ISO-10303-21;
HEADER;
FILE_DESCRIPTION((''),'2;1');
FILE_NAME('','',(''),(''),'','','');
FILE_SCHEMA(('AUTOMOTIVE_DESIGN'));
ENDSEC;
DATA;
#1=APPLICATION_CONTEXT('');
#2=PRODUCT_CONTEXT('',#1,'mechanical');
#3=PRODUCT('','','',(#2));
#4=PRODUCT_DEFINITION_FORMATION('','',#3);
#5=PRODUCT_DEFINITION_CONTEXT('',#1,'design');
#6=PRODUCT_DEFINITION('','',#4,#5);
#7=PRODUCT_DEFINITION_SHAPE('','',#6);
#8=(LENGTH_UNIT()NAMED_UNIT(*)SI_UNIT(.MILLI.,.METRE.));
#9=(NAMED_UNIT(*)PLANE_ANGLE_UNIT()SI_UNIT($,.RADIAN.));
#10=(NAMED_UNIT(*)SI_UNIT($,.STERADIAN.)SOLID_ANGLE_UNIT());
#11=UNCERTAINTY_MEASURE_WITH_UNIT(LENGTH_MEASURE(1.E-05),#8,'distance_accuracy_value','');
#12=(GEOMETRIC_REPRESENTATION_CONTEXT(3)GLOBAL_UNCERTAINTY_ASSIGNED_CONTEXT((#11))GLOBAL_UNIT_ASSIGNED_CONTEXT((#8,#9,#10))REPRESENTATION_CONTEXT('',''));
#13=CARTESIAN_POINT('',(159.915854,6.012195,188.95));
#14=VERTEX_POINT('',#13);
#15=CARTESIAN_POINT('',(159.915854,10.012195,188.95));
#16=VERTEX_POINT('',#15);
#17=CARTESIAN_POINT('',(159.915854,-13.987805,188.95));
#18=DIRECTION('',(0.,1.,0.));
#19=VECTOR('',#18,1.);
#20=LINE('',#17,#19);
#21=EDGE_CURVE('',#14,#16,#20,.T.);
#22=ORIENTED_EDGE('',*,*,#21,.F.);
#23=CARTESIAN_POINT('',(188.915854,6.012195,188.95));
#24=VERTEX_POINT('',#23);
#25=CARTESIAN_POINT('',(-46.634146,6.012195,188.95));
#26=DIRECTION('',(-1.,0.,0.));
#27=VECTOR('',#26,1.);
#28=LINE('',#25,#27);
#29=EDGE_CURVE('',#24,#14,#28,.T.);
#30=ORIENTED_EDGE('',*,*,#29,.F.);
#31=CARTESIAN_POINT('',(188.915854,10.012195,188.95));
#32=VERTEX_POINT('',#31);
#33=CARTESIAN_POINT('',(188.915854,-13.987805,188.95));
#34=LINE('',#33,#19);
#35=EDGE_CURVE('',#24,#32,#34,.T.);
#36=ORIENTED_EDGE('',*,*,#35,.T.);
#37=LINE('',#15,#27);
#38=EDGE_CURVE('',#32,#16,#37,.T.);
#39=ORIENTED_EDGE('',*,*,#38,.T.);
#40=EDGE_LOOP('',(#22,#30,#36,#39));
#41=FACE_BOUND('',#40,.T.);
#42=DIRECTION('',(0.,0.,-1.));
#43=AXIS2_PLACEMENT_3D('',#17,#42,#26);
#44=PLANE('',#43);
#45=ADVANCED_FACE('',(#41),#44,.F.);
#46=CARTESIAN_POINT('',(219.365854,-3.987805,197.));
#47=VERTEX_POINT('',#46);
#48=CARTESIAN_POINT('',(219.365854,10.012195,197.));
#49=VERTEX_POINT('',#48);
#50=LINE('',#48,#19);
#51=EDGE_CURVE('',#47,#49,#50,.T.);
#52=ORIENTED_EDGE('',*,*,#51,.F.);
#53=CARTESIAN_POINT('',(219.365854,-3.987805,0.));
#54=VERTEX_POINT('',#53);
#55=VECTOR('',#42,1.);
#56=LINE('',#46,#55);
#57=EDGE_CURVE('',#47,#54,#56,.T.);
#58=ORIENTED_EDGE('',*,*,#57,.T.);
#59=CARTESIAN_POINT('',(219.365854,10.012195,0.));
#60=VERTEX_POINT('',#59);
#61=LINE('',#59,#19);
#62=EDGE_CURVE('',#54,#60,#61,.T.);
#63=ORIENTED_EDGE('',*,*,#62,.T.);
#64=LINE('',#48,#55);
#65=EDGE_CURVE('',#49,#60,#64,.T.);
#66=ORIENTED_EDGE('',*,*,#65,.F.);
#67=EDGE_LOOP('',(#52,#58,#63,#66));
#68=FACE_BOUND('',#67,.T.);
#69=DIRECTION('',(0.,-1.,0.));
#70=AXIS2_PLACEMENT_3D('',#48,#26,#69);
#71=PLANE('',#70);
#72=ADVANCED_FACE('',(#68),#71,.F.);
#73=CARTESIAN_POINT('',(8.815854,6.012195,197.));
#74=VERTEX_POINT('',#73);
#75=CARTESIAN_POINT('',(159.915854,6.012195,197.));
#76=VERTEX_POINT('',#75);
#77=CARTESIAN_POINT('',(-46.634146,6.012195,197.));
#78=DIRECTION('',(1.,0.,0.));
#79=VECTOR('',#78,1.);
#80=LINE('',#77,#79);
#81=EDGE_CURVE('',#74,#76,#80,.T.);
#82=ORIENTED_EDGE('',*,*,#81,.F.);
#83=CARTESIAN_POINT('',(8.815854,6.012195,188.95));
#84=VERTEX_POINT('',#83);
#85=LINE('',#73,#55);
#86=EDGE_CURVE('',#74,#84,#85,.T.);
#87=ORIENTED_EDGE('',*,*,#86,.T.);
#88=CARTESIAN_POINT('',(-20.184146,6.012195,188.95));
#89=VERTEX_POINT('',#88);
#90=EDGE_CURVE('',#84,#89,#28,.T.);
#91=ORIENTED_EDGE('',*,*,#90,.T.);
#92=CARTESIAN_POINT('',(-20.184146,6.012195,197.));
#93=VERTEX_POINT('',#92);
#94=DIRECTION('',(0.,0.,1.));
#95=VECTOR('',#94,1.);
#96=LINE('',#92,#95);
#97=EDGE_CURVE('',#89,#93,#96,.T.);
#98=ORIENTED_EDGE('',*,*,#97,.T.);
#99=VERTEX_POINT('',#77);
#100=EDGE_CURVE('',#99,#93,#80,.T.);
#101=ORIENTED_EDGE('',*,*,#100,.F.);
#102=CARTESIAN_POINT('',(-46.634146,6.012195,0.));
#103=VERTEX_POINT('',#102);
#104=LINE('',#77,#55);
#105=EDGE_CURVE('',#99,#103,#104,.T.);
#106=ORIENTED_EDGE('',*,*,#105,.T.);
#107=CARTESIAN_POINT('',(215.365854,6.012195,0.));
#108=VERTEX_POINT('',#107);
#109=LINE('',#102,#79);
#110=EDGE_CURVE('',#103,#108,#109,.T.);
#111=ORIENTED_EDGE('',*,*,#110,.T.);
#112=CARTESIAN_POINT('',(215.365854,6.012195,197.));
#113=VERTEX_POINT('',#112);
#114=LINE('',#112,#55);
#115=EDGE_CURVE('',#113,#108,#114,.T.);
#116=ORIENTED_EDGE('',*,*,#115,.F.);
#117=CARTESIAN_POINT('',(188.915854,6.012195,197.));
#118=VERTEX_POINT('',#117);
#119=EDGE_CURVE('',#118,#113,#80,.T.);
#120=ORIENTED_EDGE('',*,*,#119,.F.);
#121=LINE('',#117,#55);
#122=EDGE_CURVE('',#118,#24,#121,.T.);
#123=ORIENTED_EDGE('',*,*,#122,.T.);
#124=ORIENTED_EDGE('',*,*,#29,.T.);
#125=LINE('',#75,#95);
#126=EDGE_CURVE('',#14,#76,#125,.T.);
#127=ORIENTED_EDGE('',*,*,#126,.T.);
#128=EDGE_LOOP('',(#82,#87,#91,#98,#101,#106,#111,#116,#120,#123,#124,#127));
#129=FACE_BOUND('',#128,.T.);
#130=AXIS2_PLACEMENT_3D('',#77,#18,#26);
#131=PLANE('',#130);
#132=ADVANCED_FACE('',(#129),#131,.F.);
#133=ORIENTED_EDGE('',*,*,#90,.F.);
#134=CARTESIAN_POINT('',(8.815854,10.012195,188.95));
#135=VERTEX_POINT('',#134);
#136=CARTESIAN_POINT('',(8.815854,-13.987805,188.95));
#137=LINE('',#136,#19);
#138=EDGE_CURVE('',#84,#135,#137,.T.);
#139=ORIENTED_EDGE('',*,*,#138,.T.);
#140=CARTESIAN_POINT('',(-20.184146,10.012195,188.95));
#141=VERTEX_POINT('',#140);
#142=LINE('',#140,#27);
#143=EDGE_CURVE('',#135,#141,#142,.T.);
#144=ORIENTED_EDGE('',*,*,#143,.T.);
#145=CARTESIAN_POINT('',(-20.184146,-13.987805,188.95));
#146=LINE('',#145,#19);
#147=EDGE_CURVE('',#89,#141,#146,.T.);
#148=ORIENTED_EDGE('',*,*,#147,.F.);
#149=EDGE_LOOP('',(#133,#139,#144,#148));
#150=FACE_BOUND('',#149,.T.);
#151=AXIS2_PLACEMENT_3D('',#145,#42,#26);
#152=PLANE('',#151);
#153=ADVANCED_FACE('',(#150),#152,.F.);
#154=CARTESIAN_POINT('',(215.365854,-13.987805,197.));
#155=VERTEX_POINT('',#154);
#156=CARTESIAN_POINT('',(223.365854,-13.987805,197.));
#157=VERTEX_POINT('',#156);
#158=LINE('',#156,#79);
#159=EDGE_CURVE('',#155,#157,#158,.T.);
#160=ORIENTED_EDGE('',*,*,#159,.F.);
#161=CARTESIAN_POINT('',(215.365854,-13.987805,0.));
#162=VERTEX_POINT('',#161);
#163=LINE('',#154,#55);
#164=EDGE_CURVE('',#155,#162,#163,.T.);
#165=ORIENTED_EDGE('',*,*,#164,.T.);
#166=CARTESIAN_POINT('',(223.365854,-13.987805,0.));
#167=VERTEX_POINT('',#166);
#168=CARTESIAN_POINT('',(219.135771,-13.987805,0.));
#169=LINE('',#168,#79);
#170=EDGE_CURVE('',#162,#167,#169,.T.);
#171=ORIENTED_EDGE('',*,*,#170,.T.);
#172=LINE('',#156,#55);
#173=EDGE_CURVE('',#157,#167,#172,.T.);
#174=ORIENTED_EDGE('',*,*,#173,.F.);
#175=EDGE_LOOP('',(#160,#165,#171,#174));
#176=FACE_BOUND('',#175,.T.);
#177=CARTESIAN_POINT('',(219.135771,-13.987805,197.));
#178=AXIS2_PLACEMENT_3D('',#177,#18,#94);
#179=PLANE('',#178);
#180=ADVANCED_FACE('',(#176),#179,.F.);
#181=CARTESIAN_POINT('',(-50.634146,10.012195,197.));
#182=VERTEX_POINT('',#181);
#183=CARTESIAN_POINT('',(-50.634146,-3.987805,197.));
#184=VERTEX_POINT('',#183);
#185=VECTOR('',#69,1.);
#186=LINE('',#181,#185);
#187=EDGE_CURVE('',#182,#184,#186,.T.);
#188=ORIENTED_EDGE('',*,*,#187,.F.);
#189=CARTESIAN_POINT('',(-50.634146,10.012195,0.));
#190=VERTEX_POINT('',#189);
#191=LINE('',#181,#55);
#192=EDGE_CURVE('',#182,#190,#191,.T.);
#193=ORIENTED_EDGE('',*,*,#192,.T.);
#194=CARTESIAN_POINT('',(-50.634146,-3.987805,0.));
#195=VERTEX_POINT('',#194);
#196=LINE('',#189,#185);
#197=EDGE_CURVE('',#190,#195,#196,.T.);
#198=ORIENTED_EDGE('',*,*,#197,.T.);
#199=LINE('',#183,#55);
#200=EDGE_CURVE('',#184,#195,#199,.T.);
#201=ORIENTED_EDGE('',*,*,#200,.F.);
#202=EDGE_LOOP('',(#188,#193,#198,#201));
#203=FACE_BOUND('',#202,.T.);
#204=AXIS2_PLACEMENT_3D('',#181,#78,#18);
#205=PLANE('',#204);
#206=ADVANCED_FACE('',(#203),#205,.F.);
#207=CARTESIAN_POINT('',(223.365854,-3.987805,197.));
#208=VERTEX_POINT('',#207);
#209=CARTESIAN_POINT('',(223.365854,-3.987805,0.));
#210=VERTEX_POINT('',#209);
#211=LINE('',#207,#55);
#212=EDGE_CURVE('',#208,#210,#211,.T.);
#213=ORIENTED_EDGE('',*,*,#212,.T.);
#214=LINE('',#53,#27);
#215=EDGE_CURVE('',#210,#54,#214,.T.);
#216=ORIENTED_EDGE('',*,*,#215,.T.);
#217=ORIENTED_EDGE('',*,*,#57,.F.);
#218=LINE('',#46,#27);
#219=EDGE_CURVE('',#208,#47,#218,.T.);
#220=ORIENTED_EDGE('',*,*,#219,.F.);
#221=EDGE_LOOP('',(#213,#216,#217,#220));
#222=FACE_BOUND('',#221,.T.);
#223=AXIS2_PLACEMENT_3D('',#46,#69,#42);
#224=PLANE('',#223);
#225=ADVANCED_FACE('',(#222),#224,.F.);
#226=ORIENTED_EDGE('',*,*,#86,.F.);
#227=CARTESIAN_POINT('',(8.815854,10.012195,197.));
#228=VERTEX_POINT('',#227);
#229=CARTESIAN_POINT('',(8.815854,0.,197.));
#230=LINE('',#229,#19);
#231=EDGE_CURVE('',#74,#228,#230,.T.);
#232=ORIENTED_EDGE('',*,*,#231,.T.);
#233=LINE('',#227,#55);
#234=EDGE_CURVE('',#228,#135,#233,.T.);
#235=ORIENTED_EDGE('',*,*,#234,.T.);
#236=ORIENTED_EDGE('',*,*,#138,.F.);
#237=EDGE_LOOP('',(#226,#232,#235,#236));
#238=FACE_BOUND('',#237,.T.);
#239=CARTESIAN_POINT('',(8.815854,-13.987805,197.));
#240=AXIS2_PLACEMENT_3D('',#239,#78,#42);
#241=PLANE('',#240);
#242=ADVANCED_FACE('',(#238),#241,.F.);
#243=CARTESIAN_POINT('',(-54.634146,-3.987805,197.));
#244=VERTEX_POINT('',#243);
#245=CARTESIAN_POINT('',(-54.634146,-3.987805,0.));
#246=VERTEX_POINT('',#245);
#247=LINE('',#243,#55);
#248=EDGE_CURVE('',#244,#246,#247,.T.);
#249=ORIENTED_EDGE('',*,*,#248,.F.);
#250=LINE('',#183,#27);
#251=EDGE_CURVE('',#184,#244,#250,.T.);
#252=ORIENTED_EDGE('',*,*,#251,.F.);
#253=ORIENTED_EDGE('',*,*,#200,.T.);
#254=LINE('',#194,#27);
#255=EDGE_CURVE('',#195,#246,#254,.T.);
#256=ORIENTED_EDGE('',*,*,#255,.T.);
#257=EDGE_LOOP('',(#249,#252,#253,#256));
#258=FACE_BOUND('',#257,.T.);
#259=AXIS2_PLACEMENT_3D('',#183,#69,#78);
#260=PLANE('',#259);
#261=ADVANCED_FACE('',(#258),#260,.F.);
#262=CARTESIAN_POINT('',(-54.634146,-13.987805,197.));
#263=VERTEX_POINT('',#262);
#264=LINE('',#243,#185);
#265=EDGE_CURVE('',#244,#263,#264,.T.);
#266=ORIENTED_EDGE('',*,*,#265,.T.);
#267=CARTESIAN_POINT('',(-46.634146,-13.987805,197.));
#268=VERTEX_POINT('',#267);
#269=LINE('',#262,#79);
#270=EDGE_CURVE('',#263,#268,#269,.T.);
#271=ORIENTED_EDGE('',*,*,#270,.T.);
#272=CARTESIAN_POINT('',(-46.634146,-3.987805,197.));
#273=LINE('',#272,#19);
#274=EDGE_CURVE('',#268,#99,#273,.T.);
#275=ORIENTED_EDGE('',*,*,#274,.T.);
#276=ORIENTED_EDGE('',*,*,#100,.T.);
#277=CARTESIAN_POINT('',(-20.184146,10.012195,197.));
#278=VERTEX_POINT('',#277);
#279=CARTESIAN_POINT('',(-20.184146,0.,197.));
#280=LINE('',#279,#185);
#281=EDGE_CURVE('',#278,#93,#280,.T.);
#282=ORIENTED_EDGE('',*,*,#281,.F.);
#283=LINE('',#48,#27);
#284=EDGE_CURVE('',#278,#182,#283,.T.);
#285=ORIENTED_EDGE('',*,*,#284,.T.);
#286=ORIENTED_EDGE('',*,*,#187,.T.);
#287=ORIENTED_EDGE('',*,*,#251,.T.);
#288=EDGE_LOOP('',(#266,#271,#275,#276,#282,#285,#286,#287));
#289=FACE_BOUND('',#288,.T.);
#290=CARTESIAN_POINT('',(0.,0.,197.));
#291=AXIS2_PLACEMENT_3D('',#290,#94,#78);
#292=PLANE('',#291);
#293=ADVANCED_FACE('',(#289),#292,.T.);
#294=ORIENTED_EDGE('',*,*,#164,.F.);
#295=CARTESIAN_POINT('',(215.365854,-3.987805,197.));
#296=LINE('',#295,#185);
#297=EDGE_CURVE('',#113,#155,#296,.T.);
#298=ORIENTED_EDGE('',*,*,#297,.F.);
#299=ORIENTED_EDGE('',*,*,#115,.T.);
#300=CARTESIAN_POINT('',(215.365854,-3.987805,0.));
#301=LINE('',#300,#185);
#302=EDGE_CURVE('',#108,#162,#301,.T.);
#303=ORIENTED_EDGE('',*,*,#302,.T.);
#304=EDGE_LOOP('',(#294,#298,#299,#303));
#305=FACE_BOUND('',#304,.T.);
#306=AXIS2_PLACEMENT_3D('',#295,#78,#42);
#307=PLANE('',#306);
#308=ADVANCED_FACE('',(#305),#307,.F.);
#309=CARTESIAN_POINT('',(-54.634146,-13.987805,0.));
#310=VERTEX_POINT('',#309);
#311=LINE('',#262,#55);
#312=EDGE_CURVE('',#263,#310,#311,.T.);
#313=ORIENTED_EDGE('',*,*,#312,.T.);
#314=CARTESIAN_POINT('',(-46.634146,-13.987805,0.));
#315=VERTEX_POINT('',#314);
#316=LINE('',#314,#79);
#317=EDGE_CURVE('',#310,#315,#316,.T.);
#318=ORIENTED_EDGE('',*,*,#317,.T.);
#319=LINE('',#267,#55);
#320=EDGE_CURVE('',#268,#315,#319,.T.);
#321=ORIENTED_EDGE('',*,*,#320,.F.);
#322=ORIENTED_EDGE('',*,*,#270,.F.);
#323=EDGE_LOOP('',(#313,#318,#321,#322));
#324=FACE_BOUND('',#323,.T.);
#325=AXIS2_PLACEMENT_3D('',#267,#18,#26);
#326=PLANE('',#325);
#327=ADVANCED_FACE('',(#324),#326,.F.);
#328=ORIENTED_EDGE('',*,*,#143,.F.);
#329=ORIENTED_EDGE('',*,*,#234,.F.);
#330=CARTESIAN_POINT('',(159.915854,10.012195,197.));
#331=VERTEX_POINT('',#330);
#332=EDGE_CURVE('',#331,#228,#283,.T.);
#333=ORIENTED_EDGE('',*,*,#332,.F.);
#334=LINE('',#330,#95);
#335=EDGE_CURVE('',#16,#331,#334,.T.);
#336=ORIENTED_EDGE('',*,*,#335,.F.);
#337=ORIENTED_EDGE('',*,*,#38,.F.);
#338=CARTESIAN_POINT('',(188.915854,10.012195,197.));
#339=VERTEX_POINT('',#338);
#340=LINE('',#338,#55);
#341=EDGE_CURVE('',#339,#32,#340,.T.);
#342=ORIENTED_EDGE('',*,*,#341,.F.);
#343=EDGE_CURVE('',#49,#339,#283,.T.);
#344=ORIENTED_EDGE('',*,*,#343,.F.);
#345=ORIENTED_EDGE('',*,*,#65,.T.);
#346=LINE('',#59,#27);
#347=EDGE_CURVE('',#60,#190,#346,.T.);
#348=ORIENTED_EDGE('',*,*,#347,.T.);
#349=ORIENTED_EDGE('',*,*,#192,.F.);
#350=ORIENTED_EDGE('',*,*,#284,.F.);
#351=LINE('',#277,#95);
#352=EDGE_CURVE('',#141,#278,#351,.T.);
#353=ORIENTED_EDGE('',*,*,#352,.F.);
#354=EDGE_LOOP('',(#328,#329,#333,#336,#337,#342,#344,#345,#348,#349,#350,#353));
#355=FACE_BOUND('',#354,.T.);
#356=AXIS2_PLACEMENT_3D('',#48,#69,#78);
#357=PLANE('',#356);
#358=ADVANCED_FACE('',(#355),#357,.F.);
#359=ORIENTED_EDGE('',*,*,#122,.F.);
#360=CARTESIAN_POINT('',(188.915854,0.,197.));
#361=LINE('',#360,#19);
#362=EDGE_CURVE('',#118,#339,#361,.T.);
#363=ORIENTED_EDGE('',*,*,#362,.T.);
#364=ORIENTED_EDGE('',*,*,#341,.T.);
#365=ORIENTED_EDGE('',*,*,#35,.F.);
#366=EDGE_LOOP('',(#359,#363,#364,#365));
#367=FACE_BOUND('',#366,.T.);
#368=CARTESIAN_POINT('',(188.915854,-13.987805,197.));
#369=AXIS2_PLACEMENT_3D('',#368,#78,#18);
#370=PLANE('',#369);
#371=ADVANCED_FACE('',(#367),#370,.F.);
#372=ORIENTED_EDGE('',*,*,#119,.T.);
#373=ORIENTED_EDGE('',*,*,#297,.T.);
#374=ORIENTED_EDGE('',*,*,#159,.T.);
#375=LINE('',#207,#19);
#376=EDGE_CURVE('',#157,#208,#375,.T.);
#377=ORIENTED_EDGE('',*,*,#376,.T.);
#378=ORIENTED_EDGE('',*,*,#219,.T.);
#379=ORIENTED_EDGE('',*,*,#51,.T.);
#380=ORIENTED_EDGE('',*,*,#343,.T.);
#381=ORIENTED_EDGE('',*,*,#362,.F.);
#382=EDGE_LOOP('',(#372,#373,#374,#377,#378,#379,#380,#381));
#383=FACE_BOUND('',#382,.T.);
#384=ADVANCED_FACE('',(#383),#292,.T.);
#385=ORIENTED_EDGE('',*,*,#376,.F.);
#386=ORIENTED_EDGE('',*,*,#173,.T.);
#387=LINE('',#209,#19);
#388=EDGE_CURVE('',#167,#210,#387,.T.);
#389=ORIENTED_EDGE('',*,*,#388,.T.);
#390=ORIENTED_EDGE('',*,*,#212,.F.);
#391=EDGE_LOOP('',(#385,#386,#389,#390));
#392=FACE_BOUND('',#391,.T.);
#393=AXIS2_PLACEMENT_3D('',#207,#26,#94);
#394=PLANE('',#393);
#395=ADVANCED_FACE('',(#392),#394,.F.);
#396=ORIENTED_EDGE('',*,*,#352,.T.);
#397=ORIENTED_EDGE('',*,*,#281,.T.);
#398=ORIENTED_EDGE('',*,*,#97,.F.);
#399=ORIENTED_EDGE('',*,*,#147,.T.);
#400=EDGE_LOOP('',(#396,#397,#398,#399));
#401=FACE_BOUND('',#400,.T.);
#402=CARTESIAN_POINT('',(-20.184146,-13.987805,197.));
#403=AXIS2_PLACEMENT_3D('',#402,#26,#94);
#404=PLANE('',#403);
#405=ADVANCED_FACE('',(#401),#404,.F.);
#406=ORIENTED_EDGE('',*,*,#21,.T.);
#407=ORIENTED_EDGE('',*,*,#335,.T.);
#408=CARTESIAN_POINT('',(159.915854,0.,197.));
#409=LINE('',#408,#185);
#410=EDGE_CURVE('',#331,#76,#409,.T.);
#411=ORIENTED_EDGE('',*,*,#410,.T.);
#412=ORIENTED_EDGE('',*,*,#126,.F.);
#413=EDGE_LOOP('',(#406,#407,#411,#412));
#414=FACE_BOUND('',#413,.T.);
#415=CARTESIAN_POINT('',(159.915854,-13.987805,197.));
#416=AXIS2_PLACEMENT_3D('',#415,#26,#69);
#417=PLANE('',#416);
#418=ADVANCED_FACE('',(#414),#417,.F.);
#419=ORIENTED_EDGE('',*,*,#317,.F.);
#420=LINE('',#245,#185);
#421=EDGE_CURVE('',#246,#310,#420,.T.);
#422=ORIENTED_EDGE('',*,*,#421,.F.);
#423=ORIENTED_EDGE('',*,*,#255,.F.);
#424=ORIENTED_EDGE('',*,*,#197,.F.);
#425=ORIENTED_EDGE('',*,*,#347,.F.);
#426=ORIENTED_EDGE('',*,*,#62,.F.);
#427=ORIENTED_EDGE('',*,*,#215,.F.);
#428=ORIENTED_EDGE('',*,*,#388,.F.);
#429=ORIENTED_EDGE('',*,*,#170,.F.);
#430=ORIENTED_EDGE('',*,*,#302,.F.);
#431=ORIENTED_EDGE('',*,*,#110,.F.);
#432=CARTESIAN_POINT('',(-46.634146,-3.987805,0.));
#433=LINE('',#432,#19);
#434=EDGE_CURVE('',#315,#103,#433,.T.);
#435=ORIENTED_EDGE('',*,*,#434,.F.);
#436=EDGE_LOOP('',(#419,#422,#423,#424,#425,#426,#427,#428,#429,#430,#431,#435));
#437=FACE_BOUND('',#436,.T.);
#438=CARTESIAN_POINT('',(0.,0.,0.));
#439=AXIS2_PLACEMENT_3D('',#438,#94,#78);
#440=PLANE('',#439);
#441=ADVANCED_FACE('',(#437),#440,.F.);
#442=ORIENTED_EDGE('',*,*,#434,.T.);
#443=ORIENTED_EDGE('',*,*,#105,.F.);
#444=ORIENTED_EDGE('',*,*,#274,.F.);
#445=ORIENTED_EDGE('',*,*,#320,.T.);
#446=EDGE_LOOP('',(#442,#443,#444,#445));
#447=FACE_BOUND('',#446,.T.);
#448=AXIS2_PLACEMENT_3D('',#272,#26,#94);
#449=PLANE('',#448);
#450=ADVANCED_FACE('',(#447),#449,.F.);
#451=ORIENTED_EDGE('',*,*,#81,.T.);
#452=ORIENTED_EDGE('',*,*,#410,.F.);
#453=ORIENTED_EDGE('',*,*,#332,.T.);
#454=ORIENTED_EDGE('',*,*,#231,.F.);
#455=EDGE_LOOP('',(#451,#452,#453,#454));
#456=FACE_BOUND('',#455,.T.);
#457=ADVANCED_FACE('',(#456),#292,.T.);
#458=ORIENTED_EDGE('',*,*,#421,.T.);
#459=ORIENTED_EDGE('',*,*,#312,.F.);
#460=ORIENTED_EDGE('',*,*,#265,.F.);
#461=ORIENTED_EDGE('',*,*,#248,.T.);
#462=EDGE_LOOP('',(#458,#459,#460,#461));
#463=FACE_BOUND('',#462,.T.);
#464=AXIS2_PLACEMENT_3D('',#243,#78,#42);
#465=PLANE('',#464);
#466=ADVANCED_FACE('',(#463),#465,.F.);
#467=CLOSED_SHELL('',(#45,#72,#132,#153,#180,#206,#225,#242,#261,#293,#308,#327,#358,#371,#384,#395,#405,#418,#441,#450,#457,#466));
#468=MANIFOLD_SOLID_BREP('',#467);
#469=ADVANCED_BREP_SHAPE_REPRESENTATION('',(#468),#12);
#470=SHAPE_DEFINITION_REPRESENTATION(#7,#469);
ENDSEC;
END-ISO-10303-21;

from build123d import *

# Parameters (mm, degrees)
SALIENTE_EXTRUIR1_DEPTH = 197
CROQUIS3_W              = 29
CROQUIS3_H              = 8.05
CORTAR_EXTRUIR1_DEPTH   = 299.793079874


with BuildPart() as part:
    # Croquis1 → Saliente-Extruir1 (new body)
    with BuildSketch(Plane.XY):
        Polygon((219.365853659, 10.012195122), (-50.634146341, 10.012195122), (-50.634146341, -3.987804878), (-54.634146341, -3.987804878), (-54.634146341, -13.987804878), (-49.344908275, -13.987804878), (-46.634146341, -13.987804878), (-46.634146341, -3.987804878), (-46.634146341, 6.012195122), (215.365853659, 6.012195122), (215.365853659, -3.987804878), (215.365853659, -13.987804878), (219.1357706, -13.987804878), (223.365853659, -13.987804878), (223.365853659, -3.987804878), (219.365853659, -3.987804878), align=None)
    extrude(amount=SALIENTE_EXTRUIR1_DEPTH)

    # Croquis3 → Cortar-Extruir1 (cut, through all)
    with BuildSketch(Plane(origin=(0, 10.012195122, 0), x_dir=(1, 0, 0), z_dir=(0, 1, 0))):
        with Locations((-5.684146341, -192.975)):
            Rectangle(CROQUIS3_W, CROQUIS3_H)
        with Locations((174.415853659, -192.975)):
            Rectangle(CROQUIS3_W, CROQUIS3_H)
    extrude(amount=-CORTAR_EXTRUIR1_DEPTH, mode=Mode.SUBTRACT)


solid = part.part
